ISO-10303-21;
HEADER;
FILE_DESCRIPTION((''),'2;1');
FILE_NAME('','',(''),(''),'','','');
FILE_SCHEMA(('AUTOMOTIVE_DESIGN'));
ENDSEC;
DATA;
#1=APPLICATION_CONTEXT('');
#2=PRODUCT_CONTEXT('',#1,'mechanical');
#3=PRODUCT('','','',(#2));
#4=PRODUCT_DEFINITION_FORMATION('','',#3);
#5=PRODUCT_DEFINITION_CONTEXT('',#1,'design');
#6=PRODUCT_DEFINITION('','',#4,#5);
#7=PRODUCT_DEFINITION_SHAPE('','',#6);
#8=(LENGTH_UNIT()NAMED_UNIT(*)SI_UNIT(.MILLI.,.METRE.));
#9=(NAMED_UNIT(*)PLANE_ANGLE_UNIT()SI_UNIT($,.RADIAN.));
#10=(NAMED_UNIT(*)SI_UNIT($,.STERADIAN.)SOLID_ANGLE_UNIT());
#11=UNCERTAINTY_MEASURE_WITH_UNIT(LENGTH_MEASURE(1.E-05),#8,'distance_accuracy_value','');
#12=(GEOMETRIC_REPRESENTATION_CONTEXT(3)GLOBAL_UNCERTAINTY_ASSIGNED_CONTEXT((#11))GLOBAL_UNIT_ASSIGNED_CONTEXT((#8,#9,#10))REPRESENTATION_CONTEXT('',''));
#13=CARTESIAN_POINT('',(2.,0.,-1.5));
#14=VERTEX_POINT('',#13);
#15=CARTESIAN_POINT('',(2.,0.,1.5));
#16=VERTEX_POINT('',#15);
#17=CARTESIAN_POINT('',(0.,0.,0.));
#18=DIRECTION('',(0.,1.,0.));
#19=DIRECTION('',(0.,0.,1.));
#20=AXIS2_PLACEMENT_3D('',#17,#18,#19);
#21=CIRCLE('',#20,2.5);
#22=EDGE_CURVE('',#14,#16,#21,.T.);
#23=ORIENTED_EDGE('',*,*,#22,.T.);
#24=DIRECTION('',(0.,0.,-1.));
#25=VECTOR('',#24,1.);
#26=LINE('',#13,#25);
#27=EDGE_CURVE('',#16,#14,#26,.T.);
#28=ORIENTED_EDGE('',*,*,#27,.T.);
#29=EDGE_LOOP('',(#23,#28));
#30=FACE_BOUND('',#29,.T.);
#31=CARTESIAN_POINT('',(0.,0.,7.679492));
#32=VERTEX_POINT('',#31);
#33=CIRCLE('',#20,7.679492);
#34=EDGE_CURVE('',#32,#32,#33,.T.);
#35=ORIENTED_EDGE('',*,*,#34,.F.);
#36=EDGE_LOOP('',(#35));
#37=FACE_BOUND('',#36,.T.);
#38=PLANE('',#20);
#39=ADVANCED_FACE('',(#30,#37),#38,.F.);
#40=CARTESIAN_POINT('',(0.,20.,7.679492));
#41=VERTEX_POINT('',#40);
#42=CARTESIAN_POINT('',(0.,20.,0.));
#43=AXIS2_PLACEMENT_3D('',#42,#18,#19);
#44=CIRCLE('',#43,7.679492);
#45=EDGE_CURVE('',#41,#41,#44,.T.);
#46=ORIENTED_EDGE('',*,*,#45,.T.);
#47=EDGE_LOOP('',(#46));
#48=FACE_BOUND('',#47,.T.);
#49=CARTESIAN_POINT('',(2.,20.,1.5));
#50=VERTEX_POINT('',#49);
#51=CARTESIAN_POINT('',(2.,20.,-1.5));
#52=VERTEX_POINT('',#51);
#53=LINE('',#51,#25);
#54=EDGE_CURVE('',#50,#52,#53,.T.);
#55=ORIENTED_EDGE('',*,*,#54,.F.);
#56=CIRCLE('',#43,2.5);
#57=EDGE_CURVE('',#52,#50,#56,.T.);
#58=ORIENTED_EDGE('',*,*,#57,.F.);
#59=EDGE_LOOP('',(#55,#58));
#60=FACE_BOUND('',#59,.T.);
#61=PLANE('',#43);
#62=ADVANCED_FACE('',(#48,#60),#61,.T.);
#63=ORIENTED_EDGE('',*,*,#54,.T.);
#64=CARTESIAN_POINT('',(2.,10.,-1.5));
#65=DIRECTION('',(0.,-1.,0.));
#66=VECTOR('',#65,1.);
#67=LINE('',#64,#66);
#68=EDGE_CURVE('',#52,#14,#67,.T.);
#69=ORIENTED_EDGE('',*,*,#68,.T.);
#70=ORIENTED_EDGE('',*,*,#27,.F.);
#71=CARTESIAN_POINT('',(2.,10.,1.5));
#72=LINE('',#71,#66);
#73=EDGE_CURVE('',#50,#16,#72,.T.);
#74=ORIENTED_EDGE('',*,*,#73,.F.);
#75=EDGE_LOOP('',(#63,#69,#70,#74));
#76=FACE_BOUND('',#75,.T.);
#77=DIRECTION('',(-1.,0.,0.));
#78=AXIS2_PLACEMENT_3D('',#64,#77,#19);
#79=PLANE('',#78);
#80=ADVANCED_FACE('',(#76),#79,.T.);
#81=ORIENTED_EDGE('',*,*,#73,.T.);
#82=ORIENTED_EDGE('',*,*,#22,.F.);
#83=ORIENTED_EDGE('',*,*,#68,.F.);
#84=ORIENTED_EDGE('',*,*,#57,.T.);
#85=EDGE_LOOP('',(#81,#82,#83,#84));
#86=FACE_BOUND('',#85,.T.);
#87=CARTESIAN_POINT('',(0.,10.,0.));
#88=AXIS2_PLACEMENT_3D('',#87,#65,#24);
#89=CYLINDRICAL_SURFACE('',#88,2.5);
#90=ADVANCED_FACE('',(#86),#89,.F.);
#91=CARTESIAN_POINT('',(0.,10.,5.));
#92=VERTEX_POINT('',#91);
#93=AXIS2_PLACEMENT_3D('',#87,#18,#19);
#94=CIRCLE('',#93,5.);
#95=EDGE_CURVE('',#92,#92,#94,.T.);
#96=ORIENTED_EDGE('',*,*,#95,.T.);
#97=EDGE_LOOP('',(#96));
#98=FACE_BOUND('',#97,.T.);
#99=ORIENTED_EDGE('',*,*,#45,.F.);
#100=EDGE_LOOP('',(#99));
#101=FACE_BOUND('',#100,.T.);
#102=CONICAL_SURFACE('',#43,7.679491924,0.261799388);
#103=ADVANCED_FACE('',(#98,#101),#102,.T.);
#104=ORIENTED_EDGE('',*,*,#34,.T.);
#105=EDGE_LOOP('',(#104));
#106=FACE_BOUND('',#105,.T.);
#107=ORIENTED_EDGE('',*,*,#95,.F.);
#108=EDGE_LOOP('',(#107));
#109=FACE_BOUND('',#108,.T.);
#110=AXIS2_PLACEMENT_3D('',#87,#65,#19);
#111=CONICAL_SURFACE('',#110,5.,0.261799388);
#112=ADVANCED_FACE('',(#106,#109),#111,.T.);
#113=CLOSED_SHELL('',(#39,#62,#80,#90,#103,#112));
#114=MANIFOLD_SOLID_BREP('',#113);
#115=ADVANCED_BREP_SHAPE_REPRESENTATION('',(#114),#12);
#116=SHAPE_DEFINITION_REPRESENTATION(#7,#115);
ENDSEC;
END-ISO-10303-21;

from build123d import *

# Parameters (mm, degrees)
SKETCH_1_R      = 5
EXTRUDE_1_DEPTH = 10
DRAFT_1_ANGLE   = 15
SKETCH_3_R      = 7.679492
EXTRUDE_2_DEPTH = 10
DRAFT_2_ANGLE   = -15


with BuildPart() as part:
    # Эскиз1 → Вытянуть1 (new body)
    with BuildSketch(Plane(origin=(0, 0, 0), x_dir=(1, 0, 0), z_dir=(0, 1, 0))):
        with Locations(Location((0, 0, 0), (0, 0, 270))):
            Circle(SKETCH_1_R)
        with BuildLine():
            Line((2, 1.5), (2, -1.5))
            ThreePointArc((2, -1.5), (-2.5, 0), (2, 1.5))
        make_face(mode=Mode.SUBTRACT)
    extrude(amount=EXTRUDE_1_DEPTH)

    # Уклон1
    draft_1_faces = [part.faces().sort_by_distance(p)[0] for p in [
        (0, 5, -5),
    ]]
    draft(draft_1_faces, Plane.ZX.offset(10), DRAFT_1_ANGLE)

    # Эскиз3 → Вытянуть2 (add)
    with BuildSketch(Plane(origin=(0, 10, 0), x_dir=(1, 0, 0), z_dir=(0, 1, 0))):
        with Locations(Location((0, 0, 0), (0, 0, 270))):
            Circle(SKETCH_3_R)
        with BuildLine():
            Line((2, 1.5), (2, -1.5))
            ThreePointArc((2, -1.5), (-2.5, 0), (2, 1.5))
        make_face(mode=Mode.SUBTRACT)
    extrude(amount=EXTRUDE_2_DEPTH)

    # Уклон2
    draft_2_faces = [part.faces().sort_by_distance(p)[0] for p in [
        (0, 15, -7.679492),
    ]]
    draft(draft_2_faces, Plane.ZX.offset(20), DRAFT_2_ANGLE)


solid = part.part
